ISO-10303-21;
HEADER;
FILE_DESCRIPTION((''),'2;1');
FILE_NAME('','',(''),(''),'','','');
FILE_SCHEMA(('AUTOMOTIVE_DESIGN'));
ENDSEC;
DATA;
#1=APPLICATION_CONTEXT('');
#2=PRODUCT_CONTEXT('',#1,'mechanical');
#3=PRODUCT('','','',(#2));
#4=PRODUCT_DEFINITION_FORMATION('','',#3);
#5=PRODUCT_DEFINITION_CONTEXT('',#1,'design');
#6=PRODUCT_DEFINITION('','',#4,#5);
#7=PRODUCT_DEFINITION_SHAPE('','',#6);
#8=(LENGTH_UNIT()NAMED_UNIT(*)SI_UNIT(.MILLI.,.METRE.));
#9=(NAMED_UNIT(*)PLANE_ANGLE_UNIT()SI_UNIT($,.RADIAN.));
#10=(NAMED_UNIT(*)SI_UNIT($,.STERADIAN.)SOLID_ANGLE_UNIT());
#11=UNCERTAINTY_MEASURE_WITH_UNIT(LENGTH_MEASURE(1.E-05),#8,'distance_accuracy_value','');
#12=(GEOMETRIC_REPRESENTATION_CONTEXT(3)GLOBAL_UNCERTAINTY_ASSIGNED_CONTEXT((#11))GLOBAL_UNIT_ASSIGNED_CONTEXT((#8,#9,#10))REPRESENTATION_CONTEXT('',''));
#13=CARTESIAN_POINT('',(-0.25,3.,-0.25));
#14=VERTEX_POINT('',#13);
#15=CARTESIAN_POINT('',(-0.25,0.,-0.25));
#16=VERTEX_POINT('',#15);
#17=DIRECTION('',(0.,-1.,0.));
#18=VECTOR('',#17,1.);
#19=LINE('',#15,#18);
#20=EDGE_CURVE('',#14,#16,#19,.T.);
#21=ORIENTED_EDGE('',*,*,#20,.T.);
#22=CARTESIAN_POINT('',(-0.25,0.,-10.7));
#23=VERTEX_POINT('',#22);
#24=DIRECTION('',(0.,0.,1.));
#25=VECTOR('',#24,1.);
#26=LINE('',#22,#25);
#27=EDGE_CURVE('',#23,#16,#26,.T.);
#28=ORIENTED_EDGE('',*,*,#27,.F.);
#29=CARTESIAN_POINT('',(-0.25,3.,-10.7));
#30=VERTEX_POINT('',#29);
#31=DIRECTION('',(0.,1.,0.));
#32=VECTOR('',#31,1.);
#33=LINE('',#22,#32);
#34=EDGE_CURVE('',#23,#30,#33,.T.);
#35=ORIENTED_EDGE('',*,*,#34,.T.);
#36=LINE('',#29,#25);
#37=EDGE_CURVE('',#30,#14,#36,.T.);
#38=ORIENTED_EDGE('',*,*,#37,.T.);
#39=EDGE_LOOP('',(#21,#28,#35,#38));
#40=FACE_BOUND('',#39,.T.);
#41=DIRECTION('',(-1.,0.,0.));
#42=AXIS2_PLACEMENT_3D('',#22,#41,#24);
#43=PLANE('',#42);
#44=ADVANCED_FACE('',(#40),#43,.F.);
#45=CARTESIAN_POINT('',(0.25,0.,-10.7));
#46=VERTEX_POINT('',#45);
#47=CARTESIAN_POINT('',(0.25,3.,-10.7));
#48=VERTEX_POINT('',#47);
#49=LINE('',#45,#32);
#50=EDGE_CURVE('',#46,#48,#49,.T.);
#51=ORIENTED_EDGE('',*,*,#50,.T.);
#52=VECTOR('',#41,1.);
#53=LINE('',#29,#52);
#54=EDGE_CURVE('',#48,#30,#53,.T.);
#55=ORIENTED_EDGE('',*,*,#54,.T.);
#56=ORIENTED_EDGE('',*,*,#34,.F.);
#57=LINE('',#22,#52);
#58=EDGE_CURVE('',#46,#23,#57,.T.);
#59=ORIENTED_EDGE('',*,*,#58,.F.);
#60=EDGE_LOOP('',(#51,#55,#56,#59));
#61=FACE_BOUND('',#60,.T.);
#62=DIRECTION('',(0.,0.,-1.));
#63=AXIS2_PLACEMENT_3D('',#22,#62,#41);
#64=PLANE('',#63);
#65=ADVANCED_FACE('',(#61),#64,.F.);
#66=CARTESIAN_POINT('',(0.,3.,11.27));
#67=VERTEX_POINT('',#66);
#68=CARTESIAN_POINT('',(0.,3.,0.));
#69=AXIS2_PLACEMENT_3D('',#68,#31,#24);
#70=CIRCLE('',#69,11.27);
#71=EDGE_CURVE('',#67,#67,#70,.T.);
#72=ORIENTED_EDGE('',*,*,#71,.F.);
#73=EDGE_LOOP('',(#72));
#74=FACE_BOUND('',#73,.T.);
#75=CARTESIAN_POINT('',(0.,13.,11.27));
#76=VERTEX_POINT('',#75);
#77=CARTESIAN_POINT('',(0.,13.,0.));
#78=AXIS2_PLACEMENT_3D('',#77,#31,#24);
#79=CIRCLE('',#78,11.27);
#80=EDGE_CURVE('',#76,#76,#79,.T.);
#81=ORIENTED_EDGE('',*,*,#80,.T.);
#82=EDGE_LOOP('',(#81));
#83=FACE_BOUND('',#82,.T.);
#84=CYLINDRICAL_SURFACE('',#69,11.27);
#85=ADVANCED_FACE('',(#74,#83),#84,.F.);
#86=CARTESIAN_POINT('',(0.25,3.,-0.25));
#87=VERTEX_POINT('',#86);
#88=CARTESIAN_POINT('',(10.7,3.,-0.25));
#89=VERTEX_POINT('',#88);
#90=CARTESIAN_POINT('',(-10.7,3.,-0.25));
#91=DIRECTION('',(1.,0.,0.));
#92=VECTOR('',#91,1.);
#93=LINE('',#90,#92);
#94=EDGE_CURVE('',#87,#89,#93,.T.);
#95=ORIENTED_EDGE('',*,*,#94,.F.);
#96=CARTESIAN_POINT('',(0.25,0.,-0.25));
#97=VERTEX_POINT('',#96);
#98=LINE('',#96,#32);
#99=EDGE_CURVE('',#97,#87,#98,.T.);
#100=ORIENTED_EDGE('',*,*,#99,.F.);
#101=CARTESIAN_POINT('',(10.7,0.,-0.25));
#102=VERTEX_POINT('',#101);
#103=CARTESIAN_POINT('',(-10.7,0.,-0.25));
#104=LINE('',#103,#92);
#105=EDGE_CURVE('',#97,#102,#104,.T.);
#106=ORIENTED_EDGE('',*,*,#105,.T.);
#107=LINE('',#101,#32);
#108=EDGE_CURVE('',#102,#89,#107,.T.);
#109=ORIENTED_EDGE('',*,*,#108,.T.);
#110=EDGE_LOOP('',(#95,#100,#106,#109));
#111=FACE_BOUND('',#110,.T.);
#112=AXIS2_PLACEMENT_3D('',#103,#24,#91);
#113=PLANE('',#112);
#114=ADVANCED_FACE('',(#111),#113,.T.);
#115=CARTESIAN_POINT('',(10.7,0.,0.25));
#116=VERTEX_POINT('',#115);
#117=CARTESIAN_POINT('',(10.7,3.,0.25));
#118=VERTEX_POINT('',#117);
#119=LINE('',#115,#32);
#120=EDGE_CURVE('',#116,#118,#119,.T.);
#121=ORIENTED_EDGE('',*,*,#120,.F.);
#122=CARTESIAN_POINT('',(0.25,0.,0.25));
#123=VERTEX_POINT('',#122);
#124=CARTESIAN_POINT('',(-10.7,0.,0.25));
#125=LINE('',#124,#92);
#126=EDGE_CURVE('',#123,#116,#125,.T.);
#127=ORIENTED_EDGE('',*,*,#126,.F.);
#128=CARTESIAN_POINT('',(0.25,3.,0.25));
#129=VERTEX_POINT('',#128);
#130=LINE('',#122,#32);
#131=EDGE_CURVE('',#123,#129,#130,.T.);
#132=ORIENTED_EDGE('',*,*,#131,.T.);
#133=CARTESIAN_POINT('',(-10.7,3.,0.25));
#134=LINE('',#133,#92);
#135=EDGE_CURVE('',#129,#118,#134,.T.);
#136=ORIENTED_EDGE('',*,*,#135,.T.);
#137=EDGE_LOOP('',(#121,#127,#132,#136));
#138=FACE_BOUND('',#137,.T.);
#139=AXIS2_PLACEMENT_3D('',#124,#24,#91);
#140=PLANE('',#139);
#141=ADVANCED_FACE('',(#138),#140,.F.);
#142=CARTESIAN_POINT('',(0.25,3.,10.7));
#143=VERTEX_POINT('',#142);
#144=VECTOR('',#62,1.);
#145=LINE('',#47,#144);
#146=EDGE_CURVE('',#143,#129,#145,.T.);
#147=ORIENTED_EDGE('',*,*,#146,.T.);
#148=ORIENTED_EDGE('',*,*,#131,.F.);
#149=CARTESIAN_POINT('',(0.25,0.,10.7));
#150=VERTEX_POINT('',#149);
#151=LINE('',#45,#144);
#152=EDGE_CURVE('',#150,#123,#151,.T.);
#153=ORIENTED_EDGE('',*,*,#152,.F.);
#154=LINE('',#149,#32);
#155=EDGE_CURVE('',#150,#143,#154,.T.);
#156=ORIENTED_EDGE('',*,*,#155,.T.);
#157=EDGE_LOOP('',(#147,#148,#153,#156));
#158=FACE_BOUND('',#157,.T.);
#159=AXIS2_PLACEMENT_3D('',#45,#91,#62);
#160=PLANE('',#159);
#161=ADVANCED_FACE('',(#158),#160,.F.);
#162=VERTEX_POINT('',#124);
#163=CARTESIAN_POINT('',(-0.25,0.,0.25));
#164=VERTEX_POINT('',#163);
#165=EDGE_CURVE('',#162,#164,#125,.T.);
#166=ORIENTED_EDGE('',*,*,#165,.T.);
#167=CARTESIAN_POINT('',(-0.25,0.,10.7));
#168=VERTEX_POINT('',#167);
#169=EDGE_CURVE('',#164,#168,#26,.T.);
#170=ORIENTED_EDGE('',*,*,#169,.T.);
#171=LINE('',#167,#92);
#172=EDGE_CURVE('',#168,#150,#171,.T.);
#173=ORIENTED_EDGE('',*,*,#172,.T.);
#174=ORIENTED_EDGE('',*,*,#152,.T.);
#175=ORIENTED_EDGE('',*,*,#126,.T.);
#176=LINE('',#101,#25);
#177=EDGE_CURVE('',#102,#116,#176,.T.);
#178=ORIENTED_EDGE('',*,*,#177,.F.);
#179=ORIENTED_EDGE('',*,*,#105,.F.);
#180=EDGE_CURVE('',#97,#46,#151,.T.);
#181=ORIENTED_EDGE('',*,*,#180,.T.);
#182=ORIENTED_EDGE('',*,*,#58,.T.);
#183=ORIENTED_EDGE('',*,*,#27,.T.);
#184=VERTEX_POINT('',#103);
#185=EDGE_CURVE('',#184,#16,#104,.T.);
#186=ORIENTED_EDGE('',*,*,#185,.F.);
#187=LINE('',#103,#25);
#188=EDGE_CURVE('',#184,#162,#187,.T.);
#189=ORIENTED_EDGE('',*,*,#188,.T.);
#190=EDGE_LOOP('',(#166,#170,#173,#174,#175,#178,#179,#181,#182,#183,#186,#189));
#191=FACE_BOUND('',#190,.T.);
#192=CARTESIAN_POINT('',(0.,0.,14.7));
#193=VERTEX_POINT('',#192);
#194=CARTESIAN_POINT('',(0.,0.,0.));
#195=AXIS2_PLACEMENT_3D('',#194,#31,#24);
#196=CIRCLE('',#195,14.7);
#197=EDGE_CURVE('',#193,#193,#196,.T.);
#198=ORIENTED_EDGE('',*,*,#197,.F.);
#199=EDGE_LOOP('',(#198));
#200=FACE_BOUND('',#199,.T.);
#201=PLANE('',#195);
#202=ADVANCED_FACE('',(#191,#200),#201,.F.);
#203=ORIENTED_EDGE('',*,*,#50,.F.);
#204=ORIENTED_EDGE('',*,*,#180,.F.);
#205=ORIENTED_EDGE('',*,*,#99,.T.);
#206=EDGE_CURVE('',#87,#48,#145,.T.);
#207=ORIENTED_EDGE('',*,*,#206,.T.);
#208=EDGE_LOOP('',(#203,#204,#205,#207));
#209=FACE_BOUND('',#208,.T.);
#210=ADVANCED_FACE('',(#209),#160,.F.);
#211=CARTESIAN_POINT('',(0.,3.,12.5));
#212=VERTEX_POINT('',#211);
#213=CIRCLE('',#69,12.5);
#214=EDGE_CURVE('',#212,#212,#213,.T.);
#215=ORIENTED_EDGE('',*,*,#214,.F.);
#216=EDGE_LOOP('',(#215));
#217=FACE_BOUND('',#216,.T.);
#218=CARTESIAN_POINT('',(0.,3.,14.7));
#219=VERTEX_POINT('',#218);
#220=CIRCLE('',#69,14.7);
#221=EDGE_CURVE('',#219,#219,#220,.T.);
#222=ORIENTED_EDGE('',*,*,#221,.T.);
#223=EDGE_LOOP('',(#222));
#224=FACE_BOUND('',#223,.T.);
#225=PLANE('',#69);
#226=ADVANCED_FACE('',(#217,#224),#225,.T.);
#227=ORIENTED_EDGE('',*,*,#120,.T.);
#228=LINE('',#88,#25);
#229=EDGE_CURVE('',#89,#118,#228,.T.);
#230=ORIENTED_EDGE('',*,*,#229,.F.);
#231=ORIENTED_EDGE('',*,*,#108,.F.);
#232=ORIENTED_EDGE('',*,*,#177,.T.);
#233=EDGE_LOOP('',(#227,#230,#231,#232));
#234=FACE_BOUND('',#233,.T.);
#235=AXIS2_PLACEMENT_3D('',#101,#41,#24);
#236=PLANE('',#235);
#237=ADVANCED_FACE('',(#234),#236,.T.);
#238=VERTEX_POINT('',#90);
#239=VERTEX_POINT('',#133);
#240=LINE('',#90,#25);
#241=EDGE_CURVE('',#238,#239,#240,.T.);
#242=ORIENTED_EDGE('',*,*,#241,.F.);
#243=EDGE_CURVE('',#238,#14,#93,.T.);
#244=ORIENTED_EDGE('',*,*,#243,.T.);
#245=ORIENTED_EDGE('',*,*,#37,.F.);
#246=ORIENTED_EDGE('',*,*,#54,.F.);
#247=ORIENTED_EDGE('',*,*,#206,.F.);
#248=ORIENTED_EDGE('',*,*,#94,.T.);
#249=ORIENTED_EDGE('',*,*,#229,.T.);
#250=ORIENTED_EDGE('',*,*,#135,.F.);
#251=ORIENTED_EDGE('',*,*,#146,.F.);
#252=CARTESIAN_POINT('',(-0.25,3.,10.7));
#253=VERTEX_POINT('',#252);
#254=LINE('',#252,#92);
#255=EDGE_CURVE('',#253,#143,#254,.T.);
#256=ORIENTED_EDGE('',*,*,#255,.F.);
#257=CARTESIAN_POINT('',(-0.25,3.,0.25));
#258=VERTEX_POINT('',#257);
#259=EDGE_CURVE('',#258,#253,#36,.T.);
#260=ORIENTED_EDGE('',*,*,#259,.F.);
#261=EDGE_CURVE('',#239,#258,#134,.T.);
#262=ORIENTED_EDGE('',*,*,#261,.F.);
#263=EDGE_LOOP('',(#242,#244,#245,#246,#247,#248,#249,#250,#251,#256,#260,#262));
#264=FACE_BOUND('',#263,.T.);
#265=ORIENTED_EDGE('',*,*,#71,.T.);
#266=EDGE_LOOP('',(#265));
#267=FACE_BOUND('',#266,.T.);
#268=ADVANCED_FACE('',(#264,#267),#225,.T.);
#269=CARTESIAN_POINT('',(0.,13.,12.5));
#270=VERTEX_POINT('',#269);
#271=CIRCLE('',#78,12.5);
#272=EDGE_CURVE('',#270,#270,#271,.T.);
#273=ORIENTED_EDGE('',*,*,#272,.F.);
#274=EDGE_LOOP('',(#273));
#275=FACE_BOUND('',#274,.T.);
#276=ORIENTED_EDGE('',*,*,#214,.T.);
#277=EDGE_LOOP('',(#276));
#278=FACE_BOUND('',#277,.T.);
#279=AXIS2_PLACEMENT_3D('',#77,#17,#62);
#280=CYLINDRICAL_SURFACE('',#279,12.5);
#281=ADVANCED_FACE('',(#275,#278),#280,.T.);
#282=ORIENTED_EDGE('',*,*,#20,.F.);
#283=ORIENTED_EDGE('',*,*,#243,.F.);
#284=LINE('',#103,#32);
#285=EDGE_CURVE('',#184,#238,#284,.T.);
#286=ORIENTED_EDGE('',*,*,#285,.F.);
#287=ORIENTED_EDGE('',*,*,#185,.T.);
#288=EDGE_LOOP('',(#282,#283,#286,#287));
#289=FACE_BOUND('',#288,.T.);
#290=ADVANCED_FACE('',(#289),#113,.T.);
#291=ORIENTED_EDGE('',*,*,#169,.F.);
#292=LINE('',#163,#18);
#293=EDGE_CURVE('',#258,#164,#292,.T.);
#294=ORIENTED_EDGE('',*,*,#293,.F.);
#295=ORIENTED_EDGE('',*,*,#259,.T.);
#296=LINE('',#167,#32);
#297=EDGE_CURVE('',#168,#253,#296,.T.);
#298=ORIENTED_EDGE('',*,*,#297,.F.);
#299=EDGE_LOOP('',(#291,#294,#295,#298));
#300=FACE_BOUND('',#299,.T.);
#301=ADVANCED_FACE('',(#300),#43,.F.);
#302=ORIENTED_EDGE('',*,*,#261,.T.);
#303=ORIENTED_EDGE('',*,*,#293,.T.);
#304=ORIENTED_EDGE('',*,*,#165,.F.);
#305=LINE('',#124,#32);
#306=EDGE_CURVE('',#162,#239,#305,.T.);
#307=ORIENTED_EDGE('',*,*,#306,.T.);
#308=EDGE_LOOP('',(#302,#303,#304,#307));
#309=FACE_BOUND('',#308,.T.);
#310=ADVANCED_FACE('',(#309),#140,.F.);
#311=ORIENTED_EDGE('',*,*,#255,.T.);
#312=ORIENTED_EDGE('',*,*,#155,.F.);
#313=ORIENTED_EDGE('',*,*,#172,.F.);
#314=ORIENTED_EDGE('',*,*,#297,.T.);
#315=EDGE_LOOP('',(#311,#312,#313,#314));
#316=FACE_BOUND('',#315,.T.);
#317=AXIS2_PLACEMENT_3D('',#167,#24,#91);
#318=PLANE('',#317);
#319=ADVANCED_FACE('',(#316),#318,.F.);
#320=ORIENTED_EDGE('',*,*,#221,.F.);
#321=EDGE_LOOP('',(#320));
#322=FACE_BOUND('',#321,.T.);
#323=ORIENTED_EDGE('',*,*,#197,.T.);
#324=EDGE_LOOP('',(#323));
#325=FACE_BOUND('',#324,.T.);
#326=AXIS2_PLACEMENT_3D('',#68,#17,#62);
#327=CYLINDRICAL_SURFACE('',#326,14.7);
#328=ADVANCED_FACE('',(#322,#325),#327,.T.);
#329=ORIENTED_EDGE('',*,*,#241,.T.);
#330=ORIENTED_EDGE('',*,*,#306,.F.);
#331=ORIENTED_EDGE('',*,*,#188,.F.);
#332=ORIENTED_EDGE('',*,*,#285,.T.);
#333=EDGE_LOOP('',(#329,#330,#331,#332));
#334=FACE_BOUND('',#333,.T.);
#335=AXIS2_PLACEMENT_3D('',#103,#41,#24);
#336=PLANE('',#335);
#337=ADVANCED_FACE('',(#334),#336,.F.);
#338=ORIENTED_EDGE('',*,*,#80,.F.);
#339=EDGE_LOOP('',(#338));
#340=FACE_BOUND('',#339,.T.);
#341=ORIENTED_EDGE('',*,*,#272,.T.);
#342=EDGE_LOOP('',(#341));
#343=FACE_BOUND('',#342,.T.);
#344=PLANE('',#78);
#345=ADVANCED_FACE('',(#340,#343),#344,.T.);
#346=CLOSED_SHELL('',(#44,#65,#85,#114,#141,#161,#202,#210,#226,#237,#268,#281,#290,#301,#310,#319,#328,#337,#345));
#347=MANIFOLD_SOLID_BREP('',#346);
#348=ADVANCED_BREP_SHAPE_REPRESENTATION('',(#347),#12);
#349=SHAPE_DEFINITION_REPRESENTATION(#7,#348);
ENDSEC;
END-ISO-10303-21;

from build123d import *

# Parameters (mm, degrees)
SKETCH1_R           = 14.7
BOSS_EXTRUDE1_DEPTH = 3
SKETCH3_W           = 21.4
SKETCH3_H           = 0.5
CUT_EXTRUDE1_DEPTH  = 3
SKETCH4_W           = 0.5
SKETCH4_H           = 21.4
CUT_EXTRUDE2_DEPTH  = 3
SKETCH5_R           = 12.5
BOSS_EXTRUDE3_DEPTH = 10
SKETCH6_R           = 11.27
CUT_EXTRUDE3_DEPTH  = 10


with BuildPart() as part:
    # Sketch1 → Boss-Extrude1 (new body)
    with BuildSketch(Plane(origin=(0, 0, 0), x_dir=(1, 0, 0), z_dir=(0, 1, 0))):
        with Locations(Location((0, 0, 0), (0, 0, 270))):
            Circle(SKETCH1_R)
    extrude(amount=BOSS_EXTRUDE1_DEPTH)

    # Sketch3 → Cut-Extrude1 (cut)
    with BuildSketch(Plane(origin=(0, 3, 0), x_dir=(1, 0, 0), z_dir=(0, 1, 0))):
        Rectangle(SKETCH3_W, SKETCH3_H)
    extrude(amount=-CUT_EXTRUDE1_DEPTH, mode=Mode.SUBTRACT)

    # Sketch4 → Cut-Extrude2 (cut)
    with BuildSketch(Plane(origin=(0, 3, 0), x_dir=(1, 0, 0), z_dir=(0, 1, 0))):
        Rectangle(SKETCH4_W, SKETCH4_H)
    extrude(amount=-CUT_EXTRUDE2_DEPTH, mode=Mode.SUBTRACT)

    # Sketch5 → Boss-Extrude3 (add)
    with BuildSketch(Plane(origin=(0, 3, 0), x_dir=(1, 0, 0), z_dir=(0, 1, 0))):
        with Locations(Location((0, 0, 0), (0, 0, 270))):
            Circle(SKETCH5_R)
    extrude(amount=BOSS_EXTRUDE3_DEPTH)

    # Sketch6 → Cut-Extrude3 (cut)
    with BuildSketch(Plane(origin=(0, 13, 0), x_dir=(1, 0, 0), z_dir=(0, 1, 0))):
        with Locations(Location((0, 0, 0), (0, 0, 270))):
            Circle(SKETCH6_R)
    extrude(amount=-CUT_EXTRUDE3_DEPTH, mode=Mode.SUBTRACT)


solid = part.part
